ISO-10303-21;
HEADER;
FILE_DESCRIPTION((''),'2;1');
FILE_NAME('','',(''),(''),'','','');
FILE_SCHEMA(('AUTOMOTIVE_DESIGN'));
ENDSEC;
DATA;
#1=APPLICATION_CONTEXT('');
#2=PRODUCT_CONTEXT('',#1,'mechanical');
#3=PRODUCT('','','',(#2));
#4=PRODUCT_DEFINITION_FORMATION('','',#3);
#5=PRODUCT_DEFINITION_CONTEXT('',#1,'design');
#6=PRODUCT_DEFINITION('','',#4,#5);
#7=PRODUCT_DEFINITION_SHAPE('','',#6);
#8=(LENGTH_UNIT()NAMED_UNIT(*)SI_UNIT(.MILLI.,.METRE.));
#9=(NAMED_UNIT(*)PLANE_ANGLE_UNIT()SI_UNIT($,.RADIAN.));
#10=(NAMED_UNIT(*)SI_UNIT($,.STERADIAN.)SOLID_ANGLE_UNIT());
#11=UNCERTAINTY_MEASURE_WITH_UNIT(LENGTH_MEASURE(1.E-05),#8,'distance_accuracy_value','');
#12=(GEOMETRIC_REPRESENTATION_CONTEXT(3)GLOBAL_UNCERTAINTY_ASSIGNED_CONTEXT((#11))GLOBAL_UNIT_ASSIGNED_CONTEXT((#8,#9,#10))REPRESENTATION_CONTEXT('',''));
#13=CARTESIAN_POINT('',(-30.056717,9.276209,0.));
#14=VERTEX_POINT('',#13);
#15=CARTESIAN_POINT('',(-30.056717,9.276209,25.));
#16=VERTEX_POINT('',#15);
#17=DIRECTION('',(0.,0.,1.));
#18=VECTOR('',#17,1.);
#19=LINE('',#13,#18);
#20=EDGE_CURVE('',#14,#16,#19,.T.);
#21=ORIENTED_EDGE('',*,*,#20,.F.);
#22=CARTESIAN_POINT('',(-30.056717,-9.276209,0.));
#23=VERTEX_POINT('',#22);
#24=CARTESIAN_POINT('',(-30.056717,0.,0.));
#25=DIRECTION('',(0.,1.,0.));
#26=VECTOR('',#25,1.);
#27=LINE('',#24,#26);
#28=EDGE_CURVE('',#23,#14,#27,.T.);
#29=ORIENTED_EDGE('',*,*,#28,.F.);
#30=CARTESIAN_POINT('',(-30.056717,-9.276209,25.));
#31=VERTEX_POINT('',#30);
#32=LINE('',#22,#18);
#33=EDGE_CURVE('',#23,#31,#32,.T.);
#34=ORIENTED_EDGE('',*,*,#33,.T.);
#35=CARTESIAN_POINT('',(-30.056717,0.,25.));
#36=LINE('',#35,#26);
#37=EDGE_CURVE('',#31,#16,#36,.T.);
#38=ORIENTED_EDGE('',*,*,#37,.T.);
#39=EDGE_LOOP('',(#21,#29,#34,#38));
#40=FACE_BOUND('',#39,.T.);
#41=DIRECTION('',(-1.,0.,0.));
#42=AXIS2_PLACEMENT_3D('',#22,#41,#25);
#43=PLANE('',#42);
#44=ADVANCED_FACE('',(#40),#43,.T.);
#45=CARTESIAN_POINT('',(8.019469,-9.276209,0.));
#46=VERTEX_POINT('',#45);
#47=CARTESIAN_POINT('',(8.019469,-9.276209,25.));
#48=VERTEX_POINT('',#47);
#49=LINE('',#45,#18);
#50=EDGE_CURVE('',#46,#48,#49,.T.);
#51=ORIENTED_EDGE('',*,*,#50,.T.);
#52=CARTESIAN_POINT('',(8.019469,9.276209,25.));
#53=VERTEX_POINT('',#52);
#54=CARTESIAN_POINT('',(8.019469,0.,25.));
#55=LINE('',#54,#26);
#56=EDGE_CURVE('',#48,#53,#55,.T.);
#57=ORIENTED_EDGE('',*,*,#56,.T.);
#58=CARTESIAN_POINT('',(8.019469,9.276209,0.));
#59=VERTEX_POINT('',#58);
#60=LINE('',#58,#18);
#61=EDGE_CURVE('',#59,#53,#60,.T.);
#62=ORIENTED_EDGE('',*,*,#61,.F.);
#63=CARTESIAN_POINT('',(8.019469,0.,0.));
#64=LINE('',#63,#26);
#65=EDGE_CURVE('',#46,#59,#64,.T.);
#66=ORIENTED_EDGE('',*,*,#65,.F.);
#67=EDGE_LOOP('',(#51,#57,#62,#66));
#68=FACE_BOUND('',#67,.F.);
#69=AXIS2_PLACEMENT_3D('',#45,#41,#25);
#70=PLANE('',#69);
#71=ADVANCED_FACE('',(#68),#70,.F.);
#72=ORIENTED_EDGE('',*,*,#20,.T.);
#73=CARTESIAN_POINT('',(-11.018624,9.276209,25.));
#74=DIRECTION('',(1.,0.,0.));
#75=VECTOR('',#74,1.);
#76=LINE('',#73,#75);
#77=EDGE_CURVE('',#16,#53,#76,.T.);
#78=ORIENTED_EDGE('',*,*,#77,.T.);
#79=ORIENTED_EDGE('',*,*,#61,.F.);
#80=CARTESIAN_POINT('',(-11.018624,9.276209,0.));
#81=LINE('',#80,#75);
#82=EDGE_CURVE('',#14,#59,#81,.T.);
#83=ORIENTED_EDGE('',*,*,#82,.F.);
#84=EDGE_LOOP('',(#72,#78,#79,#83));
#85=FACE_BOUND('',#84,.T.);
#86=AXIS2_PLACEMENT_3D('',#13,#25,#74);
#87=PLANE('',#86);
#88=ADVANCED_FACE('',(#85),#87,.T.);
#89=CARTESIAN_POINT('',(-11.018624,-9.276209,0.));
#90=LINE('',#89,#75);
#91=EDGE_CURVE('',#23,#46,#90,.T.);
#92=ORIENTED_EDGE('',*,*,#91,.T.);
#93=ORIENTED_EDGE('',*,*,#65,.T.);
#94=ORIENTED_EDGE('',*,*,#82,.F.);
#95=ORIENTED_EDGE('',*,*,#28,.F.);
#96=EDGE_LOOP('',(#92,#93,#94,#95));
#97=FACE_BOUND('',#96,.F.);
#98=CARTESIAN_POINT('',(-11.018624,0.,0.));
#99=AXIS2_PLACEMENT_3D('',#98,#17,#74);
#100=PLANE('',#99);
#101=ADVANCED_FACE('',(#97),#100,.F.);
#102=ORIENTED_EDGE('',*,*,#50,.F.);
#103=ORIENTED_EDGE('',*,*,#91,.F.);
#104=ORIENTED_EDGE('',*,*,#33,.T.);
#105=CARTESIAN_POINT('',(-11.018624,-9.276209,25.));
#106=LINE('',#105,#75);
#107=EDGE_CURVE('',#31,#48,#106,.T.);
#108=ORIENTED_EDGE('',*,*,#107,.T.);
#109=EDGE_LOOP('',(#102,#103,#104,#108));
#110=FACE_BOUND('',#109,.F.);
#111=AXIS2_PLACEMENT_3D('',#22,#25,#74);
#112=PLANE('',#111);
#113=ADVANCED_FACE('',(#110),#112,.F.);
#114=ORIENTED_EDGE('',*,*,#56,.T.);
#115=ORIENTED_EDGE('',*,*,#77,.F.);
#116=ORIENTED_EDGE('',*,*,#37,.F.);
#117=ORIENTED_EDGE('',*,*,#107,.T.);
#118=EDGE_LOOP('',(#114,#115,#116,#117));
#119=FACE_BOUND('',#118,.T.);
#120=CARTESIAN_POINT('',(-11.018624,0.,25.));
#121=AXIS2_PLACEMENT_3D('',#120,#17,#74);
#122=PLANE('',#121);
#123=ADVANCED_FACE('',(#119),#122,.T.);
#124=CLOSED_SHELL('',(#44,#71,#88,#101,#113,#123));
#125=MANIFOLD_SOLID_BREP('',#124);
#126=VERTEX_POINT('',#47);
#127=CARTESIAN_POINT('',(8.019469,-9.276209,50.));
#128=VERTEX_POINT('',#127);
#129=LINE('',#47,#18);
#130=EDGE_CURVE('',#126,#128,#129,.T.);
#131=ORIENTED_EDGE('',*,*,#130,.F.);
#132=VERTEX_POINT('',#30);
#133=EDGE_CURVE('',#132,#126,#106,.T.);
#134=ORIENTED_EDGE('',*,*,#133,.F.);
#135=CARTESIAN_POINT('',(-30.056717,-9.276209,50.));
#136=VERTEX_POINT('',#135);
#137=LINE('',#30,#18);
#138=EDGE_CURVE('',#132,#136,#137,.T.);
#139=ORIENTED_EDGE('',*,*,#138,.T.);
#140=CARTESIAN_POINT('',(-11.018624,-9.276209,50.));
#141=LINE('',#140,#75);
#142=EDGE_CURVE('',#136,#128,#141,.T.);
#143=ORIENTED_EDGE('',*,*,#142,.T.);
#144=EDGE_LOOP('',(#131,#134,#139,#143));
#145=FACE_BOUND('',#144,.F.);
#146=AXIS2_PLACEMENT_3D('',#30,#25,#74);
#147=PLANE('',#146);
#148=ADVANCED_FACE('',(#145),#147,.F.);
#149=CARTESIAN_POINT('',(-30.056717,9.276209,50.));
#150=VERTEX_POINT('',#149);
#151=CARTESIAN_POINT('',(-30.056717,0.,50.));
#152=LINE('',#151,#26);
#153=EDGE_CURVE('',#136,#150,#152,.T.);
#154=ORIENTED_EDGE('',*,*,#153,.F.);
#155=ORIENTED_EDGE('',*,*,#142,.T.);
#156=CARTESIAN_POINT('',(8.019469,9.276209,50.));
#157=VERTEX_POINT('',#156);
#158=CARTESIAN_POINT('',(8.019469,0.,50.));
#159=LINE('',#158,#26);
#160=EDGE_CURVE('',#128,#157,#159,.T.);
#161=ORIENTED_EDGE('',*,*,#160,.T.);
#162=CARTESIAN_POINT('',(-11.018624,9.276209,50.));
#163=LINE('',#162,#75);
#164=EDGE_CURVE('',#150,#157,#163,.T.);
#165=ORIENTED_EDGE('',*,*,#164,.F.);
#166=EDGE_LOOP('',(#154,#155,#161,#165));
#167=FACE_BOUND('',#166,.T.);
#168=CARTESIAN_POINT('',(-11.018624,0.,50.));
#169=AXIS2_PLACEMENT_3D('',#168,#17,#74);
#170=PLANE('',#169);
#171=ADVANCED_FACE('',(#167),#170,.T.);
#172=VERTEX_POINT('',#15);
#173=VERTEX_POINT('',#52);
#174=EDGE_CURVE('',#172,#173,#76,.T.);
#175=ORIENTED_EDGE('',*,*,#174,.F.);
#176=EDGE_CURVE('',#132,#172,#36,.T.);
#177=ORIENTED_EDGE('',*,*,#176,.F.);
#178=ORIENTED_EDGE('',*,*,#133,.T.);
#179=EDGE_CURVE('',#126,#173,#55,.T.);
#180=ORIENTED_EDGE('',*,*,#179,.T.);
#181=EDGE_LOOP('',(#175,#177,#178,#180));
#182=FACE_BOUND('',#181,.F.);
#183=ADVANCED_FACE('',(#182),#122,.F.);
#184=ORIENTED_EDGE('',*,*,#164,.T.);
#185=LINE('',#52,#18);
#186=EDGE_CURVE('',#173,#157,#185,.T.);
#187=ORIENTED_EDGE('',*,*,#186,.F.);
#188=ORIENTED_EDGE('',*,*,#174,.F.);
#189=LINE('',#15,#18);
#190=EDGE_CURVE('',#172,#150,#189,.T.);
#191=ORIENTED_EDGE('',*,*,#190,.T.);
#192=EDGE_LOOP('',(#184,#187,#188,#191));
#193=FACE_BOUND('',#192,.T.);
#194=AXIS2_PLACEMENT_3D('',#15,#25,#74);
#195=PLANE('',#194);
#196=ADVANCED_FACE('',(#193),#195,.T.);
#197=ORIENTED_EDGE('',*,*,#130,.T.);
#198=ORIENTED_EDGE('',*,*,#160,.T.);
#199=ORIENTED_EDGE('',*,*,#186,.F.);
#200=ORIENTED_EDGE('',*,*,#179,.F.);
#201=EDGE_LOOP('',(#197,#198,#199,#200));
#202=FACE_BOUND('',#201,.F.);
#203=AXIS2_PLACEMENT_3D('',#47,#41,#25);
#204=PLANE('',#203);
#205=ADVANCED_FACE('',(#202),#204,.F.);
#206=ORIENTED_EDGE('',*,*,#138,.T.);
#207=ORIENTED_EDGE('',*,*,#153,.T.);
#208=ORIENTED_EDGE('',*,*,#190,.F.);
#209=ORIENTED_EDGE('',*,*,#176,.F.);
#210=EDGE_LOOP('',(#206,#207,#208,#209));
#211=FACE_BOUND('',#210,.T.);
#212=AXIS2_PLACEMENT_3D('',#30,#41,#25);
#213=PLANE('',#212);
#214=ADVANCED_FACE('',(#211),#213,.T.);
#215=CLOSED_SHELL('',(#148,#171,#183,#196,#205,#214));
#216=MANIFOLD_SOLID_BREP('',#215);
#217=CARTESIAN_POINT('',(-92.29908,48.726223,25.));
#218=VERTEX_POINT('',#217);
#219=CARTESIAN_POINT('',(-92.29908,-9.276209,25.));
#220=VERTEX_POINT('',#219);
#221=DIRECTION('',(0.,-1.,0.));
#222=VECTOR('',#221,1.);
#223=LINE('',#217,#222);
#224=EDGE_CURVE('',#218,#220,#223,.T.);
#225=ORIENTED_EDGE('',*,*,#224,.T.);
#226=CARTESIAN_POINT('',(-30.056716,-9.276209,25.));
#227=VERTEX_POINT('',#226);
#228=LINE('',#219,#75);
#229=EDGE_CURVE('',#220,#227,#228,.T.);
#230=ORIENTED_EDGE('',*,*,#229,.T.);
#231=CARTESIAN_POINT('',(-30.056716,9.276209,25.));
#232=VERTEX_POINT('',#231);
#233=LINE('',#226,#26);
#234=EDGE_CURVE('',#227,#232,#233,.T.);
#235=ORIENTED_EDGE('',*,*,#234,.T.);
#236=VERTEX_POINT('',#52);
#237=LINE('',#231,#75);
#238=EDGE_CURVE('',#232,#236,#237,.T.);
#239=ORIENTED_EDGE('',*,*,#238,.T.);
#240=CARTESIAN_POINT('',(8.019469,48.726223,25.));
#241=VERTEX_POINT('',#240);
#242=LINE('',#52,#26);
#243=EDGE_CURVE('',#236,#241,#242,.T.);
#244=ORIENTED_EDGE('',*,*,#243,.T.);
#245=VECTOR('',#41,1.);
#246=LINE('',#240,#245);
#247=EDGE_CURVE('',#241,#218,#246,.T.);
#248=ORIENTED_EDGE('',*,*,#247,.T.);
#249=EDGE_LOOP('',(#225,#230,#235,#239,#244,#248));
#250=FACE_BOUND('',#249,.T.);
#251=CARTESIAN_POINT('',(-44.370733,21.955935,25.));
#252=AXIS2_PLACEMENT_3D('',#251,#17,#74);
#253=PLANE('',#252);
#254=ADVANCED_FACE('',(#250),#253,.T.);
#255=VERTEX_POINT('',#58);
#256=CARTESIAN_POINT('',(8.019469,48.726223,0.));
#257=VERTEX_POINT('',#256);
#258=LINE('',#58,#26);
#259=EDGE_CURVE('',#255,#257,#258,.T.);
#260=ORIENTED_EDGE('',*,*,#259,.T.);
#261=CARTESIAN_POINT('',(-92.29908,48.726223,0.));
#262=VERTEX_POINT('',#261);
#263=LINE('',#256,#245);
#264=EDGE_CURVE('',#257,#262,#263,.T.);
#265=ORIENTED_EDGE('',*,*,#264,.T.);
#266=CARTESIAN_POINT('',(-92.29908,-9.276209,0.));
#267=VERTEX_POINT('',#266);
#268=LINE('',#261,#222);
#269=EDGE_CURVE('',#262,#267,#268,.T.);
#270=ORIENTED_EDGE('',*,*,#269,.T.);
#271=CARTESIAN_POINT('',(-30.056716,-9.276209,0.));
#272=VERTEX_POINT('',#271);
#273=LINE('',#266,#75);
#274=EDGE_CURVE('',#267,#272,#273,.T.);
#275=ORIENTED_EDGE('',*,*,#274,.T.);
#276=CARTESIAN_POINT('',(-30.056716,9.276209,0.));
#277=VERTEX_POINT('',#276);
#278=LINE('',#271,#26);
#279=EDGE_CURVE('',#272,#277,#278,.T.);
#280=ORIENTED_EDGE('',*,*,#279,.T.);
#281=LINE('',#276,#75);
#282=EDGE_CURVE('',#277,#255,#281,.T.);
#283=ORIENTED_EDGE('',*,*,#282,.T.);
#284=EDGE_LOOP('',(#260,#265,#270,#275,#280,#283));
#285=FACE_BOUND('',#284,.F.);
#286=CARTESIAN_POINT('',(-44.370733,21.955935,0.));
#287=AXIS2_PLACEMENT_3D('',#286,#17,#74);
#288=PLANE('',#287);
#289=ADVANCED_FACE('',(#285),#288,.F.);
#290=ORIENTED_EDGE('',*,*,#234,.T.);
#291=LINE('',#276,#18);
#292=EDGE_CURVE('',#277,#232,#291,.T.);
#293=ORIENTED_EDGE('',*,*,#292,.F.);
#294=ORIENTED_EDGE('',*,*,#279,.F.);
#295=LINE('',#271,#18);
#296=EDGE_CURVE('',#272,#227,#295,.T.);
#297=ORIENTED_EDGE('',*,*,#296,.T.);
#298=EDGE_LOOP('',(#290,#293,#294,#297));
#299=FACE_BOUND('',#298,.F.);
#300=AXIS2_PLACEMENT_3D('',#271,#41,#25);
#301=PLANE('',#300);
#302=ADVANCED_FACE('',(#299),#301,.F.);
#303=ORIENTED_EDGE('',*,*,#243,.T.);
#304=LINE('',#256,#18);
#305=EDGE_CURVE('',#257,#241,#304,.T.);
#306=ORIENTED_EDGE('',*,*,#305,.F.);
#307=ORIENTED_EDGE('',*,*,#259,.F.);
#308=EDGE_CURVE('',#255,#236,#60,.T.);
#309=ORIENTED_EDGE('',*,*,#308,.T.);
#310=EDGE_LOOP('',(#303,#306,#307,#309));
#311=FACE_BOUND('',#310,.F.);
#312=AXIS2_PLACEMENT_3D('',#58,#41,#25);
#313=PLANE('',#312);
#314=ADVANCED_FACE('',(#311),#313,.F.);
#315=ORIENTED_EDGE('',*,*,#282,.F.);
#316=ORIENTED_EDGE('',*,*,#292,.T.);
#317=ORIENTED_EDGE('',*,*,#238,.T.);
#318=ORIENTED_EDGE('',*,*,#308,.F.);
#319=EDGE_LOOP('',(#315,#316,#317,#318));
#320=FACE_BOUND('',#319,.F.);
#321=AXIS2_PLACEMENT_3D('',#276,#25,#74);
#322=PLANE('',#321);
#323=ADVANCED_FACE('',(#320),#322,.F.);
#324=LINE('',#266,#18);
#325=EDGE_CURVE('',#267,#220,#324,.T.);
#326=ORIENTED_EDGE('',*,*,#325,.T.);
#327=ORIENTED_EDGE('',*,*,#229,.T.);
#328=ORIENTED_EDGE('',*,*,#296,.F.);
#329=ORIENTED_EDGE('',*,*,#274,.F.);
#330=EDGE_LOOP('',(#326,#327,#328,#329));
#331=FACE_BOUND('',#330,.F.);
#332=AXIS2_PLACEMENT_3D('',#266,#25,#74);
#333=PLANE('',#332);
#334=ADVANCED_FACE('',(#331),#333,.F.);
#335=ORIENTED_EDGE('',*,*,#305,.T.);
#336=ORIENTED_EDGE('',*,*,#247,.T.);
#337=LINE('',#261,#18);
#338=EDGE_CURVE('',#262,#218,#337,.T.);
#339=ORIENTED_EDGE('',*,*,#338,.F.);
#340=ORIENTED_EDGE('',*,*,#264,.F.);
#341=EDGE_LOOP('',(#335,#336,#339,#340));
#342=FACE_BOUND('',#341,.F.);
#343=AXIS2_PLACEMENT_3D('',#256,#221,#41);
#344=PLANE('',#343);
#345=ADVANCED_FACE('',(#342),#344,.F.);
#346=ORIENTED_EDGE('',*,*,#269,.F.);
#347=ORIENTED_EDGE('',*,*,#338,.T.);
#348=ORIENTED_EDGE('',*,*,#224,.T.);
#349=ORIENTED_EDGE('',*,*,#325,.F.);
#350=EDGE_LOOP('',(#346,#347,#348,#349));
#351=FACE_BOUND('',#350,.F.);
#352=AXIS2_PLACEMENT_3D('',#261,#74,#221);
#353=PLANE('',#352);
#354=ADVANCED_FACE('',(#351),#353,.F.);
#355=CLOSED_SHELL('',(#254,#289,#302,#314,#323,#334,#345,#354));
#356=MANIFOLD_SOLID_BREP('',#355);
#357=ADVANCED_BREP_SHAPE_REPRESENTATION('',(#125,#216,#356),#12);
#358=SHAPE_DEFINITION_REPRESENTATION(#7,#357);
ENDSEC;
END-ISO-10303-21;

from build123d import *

# Parameters (mm, degrees)
F1_DEPTH  = 25
F0_W      = 38.076185
F0_H      = 18.552418
F2_DEPTH  = 25
F2_FACE_W = 38.076186
F2_FACE_H = 18.552418
F3_DEPTH  = 25


with BuildPart() as f1:
    # F0 (on Top) → F1 (new body)
    with BuildSketch(Plane.XY):
        Polygon((-92.29908, -9.276209), (-30.056716, -9.276209), (-30.056716, 9.276209), (8.019469, 9.276209), (8.019469, 48.726223), (-92.29908, 48.726223), align=None)
    extrude(amount=F1_DEPTH)


with BuildPart() as f2:
    # F0 (on Top) → F2 (new body)
    with BuildSketch(Plane.XY):
        with Locations((-11.018624, 0)):
            Rectangle(F0_W, F0_H)
    extrude(amount=F2_DEPTH)


with BuildPart() as f3:
    # F2_face (on face) → F3 (new body)
    with BuildSketch(Plane(origin=(-11.018624, 0, 25), x_dir=(1, 0, 0), z_dir=(0, 0, 1))):
        Rectangle(F2_FACE_W, F2_FACE_H)
    extrude(amount=F3_DEPTH)


solid = Compound([f1.part, f2.part, f3.part])
